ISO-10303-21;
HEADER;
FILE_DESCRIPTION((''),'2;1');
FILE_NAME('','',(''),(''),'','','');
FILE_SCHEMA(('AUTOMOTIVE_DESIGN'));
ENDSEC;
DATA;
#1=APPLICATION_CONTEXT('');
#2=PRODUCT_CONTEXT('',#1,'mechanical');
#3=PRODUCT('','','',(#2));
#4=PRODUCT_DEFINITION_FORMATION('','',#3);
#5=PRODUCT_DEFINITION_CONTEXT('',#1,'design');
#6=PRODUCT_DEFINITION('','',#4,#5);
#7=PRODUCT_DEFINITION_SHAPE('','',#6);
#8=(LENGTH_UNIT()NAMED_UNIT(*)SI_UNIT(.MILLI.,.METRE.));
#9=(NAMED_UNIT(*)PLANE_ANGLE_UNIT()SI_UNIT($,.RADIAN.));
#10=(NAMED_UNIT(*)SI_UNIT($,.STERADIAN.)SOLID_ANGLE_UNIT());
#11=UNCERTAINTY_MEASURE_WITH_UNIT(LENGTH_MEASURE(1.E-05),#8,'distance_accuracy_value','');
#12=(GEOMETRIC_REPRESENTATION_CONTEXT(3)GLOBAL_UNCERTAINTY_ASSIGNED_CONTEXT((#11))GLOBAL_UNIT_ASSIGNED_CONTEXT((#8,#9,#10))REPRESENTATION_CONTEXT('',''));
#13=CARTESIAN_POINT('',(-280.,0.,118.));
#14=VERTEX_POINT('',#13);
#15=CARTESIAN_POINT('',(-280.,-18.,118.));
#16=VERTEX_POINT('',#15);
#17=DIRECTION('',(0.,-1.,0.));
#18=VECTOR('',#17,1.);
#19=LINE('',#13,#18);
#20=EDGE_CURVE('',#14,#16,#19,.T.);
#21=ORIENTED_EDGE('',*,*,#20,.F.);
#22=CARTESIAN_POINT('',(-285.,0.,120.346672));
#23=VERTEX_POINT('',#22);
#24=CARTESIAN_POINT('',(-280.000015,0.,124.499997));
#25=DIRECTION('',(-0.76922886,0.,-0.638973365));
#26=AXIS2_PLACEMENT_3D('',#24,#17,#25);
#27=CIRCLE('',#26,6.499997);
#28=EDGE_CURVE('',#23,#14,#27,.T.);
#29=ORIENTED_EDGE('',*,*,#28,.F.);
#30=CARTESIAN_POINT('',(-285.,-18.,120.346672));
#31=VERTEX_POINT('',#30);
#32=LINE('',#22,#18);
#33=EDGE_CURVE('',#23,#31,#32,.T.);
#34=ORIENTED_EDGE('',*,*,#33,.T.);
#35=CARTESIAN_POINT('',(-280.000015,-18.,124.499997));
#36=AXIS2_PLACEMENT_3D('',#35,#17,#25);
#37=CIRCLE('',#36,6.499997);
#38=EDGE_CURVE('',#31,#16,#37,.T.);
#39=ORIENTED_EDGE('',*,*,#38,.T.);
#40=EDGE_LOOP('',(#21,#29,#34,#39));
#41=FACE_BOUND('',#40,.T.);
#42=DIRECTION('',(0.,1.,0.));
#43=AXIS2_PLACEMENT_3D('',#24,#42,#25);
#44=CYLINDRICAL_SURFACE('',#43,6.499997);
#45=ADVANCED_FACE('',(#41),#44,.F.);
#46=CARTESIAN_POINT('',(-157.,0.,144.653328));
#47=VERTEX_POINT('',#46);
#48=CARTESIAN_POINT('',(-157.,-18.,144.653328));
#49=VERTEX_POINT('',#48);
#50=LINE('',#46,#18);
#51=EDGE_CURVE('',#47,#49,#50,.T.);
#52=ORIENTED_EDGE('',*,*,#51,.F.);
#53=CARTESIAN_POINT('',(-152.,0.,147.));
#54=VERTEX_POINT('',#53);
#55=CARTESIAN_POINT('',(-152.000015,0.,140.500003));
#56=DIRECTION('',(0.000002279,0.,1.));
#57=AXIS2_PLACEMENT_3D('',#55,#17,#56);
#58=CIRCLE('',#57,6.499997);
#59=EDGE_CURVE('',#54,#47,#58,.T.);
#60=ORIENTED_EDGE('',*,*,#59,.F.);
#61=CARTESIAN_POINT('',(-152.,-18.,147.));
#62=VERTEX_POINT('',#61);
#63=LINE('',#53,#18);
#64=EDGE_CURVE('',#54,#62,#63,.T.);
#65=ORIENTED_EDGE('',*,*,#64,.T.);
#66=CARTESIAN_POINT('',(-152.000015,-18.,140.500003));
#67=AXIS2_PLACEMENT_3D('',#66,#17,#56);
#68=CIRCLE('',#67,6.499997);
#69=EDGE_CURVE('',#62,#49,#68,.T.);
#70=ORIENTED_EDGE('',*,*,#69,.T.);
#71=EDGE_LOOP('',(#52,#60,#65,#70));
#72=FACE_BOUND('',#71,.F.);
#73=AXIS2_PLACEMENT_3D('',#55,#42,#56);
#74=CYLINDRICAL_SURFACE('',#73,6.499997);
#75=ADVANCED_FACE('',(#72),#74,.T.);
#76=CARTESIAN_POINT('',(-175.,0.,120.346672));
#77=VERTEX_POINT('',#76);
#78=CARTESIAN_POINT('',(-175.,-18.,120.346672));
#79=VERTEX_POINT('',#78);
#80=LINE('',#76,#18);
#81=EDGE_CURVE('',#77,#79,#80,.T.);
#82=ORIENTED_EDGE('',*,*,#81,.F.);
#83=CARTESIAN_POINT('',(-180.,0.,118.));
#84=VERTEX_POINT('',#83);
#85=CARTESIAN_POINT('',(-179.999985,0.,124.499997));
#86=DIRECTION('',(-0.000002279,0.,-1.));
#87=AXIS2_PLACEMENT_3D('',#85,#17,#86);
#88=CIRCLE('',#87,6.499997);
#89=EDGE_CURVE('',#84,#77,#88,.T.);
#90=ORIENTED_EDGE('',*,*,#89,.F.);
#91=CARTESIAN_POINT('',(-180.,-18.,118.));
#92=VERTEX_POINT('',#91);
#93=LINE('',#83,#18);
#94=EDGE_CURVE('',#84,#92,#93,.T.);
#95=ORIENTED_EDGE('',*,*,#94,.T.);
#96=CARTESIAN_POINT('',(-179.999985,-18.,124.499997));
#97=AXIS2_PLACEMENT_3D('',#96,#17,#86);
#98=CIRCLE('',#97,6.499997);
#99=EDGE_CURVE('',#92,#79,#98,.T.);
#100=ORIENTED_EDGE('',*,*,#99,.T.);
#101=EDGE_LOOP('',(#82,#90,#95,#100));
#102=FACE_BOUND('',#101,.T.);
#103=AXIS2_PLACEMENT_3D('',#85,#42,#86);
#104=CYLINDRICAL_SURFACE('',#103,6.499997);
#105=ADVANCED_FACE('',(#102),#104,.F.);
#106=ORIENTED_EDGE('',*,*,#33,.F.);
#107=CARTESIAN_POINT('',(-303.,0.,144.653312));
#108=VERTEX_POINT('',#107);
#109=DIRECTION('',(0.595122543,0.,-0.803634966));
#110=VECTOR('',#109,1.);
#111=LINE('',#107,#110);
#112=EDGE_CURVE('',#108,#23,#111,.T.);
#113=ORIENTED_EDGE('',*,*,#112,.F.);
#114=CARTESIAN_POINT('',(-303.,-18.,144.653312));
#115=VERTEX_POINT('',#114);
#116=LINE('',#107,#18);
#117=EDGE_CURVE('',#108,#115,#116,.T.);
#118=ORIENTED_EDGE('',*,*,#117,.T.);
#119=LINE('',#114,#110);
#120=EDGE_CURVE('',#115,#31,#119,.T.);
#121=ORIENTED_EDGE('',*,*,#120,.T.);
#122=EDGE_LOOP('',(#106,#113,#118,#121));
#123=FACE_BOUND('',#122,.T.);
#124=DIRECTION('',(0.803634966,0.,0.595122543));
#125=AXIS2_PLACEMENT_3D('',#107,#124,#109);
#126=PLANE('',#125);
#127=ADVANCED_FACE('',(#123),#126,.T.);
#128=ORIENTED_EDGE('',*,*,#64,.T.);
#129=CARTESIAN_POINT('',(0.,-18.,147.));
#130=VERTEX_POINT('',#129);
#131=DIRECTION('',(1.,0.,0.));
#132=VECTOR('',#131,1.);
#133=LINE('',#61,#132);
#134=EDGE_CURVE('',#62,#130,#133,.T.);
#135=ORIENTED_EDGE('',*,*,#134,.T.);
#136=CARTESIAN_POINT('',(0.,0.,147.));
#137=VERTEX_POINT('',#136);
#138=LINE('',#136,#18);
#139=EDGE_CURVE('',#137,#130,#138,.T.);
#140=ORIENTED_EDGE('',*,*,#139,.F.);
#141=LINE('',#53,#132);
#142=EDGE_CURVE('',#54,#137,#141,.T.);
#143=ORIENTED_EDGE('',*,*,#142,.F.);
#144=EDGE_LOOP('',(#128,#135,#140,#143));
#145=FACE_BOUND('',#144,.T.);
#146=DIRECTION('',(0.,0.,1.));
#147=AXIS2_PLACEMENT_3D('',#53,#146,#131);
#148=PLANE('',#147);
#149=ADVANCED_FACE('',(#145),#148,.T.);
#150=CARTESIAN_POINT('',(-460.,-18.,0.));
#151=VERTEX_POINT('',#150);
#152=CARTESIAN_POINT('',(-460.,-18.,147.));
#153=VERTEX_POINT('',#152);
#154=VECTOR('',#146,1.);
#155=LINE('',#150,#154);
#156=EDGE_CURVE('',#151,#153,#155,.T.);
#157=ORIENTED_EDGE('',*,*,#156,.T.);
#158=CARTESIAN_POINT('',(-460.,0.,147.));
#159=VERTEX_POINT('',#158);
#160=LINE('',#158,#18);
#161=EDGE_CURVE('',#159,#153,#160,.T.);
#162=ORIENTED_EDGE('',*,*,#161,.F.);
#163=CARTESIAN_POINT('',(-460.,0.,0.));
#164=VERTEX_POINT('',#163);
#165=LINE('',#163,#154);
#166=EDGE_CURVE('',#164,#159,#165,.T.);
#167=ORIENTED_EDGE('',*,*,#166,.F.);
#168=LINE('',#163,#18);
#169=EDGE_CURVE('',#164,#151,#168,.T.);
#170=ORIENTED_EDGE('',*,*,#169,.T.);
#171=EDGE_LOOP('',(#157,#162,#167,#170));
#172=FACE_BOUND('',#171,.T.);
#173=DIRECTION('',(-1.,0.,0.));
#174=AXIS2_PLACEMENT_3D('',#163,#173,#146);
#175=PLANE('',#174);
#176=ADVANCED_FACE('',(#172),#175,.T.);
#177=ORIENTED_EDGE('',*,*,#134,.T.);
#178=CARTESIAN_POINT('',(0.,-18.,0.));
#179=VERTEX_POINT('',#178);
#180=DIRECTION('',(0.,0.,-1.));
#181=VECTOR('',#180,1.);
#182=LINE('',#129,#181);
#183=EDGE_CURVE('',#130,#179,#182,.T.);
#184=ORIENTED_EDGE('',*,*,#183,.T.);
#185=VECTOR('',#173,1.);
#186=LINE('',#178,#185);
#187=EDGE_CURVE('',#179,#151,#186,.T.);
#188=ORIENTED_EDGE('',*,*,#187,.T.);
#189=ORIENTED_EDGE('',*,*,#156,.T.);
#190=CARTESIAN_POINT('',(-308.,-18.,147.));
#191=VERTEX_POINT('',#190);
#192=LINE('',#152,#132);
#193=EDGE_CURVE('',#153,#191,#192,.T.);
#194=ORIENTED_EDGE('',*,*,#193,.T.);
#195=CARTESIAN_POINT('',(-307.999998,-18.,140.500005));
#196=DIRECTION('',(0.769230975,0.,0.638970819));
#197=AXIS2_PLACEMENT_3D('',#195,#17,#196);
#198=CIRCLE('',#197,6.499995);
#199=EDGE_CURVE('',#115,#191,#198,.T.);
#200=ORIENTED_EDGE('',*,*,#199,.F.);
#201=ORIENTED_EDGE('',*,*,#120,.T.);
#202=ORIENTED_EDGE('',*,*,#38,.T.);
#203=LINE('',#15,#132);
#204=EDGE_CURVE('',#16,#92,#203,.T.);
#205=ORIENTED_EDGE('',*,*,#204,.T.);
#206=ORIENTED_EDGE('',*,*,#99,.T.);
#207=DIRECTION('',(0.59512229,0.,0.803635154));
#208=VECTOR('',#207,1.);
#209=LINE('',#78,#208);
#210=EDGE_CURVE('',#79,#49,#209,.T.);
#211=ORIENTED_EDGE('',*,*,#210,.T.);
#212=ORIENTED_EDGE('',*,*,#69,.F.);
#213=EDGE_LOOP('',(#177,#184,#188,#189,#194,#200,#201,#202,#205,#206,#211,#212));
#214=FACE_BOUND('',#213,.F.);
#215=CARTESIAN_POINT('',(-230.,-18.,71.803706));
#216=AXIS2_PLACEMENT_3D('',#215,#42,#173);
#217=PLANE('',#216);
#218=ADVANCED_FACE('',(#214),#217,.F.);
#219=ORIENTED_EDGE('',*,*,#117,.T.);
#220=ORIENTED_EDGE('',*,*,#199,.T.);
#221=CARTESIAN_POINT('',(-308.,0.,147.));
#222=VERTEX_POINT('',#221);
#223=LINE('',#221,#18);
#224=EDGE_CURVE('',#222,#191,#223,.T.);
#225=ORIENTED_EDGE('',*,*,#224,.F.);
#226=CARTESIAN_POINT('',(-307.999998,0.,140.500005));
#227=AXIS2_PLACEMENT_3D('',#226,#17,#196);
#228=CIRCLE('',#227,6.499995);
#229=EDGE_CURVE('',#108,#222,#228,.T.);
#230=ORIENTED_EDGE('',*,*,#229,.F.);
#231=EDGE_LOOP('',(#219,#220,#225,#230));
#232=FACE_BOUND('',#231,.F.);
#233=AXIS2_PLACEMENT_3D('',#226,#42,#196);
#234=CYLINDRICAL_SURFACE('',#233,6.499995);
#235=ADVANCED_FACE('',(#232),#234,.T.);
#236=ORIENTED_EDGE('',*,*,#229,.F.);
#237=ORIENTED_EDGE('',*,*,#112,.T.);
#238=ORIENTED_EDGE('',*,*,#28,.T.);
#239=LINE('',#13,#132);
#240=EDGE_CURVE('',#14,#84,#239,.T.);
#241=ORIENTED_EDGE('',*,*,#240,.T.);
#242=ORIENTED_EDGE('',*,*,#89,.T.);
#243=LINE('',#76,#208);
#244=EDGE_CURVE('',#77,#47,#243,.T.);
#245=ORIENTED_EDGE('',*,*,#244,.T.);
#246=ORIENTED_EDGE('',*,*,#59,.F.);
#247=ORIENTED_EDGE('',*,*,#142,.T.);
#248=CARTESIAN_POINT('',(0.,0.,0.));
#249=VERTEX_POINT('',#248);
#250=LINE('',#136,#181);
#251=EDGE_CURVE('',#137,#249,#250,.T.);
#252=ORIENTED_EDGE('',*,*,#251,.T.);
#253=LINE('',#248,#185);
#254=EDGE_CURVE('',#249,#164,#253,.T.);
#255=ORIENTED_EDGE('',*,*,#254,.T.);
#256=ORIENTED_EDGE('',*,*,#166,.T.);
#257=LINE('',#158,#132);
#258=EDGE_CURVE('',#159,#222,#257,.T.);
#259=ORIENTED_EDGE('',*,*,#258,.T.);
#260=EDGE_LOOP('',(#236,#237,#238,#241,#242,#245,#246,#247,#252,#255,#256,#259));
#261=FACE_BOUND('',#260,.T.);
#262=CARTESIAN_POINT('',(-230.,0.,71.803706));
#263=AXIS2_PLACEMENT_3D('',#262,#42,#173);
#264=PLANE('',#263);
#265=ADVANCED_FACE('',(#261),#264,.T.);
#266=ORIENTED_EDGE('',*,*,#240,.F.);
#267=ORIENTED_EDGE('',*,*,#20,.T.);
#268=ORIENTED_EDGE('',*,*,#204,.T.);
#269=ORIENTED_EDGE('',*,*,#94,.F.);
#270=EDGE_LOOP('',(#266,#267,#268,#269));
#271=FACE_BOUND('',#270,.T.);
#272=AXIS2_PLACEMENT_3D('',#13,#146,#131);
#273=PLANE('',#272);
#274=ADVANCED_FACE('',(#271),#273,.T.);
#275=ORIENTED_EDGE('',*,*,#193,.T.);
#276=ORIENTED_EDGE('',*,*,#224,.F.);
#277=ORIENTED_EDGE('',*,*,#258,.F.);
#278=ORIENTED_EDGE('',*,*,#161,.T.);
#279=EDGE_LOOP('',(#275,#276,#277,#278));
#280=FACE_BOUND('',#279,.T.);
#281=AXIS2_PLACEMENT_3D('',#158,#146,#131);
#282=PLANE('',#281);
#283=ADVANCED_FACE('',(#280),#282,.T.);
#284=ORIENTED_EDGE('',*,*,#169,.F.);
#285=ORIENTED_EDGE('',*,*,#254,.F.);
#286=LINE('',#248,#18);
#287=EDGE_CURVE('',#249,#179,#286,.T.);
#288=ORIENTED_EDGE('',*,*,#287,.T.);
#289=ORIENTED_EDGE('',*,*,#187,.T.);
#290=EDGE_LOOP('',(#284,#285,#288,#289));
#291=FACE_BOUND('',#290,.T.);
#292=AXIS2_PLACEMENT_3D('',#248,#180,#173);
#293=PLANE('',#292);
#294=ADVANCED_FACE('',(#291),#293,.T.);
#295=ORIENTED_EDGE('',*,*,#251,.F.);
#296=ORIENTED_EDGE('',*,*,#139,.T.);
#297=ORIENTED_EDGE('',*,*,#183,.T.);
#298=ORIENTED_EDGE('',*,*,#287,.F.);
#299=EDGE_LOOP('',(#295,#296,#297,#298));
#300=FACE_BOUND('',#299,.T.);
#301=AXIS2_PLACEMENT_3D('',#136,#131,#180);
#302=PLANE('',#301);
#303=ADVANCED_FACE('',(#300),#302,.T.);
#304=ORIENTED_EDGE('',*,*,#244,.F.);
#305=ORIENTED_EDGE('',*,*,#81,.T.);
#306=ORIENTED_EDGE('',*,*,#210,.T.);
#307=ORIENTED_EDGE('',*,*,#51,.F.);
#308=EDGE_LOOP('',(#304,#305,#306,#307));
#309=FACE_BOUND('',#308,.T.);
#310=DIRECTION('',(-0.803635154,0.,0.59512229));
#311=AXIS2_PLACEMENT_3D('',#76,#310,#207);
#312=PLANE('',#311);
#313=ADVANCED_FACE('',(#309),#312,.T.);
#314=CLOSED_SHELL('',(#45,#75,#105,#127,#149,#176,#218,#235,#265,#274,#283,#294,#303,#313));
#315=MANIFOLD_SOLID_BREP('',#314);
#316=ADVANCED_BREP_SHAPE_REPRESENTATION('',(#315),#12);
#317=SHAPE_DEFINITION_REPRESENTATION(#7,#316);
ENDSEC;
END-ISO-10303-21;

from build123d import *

# Parameters (mm, degrees)
PAD_DEPTH = 18


with BuildPart() as part:
    # Sketch → Pad (new body)
    with BuildSketch(Plane.XZ):
        with BuildLine():
            Line((0, 0), (-460, 0))
            Line((-460, 0), (-460, 147))
            Line((-460, 147), (-308, 147))
            ThreePointArc((-303, 144.653312), (-305.238345, 146.384154), (-308, 147))
            Line((-303, 144.653312), (-285, 120.346672))
            ThreePointArc((-285, 120.346672), (-282.761653, 118.615839), (-280, 118))
            Line((-280, 118), (-180, 118))
            ThreePointArc((-180, 118), (-177.238347, 118.615839), (-175, 120.346672))
            Line((-175, 120.346672), (-157, 144.653328))
            ThreePointArc((-152, 147), (-154.761653, 146.384161), (-157, 144.653328))
            Line((-152, 147), (0, 147))
            Line((0, 147), (0, 0))
        make_face()
    extrude(amount=PAD_DEPTH)


solid = part.part
